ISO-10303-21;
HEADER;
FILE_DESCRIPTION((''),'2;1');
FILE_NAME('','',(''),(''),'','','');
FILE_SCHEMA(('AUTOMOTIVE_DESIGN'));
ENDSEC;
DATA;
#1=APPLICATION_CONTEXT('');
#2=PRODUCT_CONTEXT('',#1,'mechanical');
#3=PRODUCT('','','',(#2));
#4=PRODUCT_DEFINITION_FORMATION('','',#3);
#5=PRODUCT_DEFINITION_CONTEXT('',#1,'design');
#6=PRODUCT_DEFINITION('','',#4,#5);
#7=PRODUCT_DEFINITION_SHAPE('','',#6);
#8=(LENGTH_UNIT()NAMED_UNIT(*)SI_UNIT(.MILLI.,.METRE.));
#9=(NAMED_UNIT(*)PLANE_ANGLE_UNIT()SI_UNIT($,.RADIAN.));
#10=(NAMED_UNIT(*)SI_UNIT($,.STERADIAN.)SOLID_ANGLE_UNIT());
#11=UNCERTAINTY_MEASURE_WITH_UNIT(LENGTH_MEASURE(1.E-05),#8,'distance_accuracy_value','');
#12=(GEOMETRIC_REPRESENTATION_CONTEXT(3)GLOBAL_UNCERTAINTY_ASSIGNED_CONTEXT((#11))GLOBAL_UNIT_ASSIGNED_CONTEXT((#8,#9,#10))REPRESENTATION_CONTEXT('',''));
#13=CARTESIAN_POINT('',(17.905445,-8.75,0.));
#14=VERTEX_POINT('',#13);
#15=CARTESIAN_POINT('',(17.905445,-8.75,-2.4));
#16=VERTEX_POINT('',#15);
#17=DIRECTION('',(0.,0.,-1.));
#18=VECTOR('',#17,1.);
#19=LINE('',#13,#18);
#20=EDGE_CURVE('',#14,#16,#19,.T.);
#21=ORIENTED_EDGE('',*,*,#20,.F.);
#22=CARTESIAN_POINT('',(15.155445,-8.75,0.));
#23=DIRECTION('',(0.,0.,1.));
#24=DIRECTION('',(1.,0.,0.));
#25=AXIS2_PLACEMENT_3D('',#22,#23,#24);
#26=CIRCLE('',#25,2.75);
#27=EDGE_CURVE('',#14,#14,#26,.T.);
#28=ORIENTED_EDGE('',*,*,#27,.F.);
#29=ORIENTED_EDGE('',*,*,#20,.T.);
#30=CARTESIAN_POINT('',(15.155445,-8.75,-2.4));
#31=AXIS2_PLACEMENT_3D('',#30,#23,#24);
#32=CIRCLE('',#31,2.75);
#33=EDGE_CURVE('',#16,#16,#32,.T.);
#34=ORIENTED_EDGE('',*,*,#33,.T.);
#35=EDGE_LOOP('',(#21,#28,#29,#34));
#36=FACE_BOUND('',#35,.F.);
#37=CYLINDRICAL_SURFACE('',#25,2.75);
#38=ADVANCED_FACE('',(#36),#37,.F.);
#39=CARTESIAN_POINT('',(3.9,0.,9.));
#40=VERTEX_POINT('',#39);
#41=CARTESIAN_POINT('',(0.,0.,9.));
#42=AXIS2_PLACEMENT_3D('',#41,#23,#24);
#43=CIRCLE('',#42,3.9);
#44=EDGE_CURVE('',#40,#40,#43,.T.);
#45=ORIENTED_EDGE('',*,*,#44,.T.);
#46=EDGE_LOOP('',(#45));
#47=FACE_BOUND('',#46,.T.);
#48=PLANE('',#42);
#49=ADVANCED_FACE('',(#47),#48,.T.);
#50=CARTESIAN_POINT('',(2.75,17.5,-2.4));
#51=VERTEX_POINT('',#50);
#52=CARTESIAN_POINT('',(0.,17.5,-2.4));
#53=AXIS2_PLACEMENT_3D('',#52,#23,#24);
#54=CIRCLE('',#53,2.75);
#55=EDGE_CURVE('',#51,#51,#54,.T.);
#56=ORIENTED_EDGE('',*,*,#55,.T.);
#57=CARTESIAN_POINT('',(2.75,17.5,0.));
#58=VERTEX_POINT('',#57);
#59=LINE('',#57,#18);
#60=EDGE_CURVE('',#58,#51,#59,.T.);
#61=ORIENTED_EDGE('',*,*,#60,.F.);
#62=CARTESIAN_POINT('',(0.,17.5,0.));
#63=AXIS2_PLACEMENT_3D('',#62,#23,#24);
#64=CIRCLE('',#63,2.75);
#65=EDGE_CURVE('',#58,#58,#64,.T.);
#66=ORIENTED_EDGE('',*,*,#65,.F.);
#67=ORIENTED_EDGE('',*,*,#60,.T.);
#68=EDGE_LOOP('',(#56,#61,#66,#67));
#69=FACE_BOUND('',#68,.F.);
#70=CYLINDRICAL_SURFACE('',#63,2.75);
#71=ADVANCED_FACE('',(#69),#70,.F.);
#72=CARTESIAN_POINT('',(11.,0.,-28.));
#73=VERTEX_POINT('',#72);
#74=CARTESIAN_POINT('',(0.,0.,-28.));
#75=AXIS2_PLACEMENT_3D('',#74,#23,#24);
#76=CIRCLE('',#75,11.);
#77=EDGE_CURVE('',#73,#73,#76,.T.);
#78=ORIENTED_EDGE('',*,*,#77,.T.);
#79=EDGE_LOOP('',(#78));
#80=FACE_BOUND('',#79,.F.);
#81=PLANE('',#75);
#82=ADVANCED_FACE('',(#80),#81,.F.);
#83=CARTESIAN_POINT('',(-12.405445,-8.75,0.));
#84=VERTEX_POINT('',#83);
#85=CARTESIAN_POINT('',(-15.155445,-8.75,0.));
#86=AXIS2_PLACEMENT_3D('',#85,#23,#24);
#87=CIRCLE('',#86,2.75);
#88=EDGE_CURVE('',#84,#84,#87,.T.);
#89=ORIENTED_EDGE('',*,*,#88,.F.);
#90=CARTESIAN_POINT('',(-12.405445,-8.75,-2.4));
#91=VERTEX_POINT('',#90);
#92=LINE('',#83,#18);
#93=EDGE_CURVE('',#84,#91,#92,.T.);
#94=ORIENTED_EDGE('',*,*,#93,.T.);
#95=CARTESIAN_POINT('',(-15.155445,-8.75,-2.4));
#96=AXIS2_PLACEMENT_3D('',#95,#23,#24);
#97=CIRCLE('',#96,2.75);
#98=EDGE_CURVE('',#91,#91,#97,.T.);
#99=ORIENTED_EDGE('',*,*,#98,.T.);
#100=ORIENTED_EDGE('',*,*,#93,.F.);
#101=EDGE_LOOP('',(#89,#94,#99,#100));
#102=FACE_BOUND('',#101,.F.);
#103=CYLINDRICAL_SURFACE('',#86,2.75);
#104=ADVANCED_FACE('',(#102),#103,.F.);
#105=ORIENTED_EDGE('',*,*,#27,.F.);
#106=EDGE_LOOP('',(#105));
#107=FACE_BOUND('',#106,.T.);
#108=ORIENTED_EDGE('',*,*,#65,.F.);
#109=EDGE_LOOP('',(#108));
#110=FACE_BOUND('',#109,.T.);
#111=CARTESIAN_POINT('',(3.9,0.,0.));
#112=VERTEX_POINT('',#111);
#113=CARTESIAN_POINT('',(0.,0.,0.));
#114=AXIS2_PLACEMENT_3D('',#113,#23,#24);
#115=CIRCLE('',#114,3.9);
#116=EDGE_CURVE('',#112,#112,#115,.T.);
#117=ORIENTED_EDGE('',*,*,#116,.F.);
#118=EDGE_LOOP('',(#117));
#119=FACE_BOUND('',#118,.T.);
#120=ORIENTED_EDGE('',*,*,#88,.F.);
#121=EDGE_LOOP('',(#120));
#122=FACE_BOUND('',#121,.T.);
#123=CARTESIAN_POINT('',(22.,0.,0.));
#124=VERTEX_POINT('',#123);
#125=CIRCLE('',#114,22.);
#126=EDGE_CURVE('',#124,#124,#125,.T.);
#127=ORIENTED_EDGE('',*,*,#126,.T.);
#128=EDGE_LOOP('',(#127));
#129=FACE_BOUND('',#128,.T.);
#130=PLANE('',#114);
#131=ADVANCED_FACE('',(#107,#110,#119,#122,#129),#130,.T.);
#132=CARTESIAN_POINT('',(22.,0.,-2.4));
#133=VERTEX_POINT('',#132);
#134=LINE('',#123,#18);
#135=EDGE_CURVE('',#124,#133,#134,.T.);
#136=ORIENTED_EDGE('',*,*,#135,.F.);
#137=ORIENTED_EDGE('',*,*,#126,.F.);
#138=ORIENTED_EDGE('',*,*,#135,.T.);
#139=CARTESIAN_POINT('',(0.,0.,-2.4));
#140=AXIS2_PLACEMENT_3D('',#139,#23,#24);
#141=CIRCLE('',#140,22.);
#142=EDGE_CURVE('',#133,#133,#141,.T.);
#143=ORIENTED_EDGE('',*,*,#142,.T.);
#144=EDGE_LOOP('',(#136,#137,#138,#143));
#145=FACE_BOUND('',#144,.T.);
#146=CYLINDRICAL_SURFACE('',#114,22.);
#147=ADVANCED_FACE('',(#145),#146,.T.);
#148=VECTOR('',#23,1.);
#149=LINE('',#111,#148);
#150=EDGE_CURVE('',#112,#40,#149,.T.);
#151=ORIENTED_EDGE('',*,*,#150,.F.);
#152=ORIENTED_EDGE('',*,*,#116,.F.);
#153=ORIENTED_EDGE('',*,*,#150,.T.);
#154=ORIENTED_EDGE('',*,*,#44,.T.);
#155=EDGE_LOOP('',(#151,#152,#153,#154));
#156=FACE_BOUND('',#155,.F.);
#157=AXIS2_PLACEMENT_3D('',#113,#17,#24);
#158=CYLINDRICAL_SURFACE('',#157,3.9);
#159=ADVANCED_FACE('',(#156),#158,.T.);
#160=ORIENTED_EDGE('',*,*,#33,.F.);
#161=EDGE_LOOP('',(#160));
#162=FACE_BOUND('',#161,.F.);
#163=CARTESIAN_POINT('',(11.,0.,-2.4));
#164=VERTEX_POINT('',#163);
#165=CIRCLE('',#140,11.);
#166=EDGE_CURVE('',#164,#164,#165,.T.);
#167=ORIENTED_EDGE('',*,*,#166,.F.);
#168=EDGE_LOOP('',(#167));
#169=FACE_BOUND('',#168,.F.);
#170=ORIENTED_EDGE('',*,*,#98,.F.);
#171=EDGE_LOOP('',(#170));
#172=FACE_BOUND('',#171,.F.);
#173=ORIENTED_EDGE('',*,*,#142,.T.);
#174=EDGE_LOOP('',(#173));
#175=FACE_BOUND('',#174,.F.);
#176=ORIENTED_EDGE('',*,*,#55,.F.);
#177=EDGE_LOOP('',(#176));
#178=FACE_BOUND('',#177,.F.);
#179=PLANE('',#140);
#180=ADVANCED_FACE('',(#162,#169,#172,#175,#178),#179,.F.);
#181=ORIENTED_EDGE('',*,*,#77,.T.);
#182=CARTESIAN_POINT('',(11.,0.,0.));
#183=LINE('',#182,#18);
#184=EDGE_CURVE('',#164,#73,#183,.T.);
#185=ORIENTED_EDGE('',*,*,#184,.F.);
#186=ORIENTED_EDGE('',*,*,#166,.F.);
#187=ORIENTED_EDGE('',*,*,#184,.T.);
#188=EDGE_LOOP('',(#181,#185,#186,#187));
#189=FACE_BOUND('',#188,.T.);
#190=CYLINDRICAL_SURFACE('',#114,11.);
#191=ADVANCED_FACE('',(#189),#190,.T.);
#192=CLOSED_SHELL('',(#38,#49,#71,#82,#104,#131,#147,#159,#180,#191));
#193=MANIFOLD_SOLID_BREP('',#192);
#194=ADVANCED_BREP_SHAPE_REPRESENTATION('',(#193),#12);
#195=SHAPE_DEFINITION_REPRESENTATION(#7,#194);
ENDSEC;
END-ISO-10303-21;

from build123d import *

# Parameters (mm, degrees)
F0_R     = 11
F1_DEPTH = 28
F2_R     = 22
F3_DEPTH = 2.4
F4_R     = 2.75
F5_DEPTH = 28.001
F6_R     = 3.9
F7_DEPTH = 9


with BuildPart() as f1:
    # F0 (on Top) → F1 (new body)
    with BuildSketch(Plane.XY):
        Circle(F0_R)
    extrude(amount=-F1_DEPTH)

    # F2 (on Top) → F3 (join)
    with BuildSketch(Plane.XY):
        Circle(F2_R)
    extrude(amount=-F3_DEPTH)

    # F4 (on face) → F5 (cut, through all)
    with BuildSketch(Plane.XY):
        with Locations((0, 17.5)):
            Circle(F4_R)
        with Locations((-15.155445, -8.75)):
            Circle(F4_R)
        with Locations((15.155445, -8.75)):
            Circle(F4_R)
    extrude(amount=-F5_DEPTH, mode=Mode.SUBTRACT)

    # F6 (on face) → F7 (join)
    with BuildSketch(Plane.XY):
        Circle(F6_R)
    extrude(amount=F7_DEPTH)


solid = f1.part
